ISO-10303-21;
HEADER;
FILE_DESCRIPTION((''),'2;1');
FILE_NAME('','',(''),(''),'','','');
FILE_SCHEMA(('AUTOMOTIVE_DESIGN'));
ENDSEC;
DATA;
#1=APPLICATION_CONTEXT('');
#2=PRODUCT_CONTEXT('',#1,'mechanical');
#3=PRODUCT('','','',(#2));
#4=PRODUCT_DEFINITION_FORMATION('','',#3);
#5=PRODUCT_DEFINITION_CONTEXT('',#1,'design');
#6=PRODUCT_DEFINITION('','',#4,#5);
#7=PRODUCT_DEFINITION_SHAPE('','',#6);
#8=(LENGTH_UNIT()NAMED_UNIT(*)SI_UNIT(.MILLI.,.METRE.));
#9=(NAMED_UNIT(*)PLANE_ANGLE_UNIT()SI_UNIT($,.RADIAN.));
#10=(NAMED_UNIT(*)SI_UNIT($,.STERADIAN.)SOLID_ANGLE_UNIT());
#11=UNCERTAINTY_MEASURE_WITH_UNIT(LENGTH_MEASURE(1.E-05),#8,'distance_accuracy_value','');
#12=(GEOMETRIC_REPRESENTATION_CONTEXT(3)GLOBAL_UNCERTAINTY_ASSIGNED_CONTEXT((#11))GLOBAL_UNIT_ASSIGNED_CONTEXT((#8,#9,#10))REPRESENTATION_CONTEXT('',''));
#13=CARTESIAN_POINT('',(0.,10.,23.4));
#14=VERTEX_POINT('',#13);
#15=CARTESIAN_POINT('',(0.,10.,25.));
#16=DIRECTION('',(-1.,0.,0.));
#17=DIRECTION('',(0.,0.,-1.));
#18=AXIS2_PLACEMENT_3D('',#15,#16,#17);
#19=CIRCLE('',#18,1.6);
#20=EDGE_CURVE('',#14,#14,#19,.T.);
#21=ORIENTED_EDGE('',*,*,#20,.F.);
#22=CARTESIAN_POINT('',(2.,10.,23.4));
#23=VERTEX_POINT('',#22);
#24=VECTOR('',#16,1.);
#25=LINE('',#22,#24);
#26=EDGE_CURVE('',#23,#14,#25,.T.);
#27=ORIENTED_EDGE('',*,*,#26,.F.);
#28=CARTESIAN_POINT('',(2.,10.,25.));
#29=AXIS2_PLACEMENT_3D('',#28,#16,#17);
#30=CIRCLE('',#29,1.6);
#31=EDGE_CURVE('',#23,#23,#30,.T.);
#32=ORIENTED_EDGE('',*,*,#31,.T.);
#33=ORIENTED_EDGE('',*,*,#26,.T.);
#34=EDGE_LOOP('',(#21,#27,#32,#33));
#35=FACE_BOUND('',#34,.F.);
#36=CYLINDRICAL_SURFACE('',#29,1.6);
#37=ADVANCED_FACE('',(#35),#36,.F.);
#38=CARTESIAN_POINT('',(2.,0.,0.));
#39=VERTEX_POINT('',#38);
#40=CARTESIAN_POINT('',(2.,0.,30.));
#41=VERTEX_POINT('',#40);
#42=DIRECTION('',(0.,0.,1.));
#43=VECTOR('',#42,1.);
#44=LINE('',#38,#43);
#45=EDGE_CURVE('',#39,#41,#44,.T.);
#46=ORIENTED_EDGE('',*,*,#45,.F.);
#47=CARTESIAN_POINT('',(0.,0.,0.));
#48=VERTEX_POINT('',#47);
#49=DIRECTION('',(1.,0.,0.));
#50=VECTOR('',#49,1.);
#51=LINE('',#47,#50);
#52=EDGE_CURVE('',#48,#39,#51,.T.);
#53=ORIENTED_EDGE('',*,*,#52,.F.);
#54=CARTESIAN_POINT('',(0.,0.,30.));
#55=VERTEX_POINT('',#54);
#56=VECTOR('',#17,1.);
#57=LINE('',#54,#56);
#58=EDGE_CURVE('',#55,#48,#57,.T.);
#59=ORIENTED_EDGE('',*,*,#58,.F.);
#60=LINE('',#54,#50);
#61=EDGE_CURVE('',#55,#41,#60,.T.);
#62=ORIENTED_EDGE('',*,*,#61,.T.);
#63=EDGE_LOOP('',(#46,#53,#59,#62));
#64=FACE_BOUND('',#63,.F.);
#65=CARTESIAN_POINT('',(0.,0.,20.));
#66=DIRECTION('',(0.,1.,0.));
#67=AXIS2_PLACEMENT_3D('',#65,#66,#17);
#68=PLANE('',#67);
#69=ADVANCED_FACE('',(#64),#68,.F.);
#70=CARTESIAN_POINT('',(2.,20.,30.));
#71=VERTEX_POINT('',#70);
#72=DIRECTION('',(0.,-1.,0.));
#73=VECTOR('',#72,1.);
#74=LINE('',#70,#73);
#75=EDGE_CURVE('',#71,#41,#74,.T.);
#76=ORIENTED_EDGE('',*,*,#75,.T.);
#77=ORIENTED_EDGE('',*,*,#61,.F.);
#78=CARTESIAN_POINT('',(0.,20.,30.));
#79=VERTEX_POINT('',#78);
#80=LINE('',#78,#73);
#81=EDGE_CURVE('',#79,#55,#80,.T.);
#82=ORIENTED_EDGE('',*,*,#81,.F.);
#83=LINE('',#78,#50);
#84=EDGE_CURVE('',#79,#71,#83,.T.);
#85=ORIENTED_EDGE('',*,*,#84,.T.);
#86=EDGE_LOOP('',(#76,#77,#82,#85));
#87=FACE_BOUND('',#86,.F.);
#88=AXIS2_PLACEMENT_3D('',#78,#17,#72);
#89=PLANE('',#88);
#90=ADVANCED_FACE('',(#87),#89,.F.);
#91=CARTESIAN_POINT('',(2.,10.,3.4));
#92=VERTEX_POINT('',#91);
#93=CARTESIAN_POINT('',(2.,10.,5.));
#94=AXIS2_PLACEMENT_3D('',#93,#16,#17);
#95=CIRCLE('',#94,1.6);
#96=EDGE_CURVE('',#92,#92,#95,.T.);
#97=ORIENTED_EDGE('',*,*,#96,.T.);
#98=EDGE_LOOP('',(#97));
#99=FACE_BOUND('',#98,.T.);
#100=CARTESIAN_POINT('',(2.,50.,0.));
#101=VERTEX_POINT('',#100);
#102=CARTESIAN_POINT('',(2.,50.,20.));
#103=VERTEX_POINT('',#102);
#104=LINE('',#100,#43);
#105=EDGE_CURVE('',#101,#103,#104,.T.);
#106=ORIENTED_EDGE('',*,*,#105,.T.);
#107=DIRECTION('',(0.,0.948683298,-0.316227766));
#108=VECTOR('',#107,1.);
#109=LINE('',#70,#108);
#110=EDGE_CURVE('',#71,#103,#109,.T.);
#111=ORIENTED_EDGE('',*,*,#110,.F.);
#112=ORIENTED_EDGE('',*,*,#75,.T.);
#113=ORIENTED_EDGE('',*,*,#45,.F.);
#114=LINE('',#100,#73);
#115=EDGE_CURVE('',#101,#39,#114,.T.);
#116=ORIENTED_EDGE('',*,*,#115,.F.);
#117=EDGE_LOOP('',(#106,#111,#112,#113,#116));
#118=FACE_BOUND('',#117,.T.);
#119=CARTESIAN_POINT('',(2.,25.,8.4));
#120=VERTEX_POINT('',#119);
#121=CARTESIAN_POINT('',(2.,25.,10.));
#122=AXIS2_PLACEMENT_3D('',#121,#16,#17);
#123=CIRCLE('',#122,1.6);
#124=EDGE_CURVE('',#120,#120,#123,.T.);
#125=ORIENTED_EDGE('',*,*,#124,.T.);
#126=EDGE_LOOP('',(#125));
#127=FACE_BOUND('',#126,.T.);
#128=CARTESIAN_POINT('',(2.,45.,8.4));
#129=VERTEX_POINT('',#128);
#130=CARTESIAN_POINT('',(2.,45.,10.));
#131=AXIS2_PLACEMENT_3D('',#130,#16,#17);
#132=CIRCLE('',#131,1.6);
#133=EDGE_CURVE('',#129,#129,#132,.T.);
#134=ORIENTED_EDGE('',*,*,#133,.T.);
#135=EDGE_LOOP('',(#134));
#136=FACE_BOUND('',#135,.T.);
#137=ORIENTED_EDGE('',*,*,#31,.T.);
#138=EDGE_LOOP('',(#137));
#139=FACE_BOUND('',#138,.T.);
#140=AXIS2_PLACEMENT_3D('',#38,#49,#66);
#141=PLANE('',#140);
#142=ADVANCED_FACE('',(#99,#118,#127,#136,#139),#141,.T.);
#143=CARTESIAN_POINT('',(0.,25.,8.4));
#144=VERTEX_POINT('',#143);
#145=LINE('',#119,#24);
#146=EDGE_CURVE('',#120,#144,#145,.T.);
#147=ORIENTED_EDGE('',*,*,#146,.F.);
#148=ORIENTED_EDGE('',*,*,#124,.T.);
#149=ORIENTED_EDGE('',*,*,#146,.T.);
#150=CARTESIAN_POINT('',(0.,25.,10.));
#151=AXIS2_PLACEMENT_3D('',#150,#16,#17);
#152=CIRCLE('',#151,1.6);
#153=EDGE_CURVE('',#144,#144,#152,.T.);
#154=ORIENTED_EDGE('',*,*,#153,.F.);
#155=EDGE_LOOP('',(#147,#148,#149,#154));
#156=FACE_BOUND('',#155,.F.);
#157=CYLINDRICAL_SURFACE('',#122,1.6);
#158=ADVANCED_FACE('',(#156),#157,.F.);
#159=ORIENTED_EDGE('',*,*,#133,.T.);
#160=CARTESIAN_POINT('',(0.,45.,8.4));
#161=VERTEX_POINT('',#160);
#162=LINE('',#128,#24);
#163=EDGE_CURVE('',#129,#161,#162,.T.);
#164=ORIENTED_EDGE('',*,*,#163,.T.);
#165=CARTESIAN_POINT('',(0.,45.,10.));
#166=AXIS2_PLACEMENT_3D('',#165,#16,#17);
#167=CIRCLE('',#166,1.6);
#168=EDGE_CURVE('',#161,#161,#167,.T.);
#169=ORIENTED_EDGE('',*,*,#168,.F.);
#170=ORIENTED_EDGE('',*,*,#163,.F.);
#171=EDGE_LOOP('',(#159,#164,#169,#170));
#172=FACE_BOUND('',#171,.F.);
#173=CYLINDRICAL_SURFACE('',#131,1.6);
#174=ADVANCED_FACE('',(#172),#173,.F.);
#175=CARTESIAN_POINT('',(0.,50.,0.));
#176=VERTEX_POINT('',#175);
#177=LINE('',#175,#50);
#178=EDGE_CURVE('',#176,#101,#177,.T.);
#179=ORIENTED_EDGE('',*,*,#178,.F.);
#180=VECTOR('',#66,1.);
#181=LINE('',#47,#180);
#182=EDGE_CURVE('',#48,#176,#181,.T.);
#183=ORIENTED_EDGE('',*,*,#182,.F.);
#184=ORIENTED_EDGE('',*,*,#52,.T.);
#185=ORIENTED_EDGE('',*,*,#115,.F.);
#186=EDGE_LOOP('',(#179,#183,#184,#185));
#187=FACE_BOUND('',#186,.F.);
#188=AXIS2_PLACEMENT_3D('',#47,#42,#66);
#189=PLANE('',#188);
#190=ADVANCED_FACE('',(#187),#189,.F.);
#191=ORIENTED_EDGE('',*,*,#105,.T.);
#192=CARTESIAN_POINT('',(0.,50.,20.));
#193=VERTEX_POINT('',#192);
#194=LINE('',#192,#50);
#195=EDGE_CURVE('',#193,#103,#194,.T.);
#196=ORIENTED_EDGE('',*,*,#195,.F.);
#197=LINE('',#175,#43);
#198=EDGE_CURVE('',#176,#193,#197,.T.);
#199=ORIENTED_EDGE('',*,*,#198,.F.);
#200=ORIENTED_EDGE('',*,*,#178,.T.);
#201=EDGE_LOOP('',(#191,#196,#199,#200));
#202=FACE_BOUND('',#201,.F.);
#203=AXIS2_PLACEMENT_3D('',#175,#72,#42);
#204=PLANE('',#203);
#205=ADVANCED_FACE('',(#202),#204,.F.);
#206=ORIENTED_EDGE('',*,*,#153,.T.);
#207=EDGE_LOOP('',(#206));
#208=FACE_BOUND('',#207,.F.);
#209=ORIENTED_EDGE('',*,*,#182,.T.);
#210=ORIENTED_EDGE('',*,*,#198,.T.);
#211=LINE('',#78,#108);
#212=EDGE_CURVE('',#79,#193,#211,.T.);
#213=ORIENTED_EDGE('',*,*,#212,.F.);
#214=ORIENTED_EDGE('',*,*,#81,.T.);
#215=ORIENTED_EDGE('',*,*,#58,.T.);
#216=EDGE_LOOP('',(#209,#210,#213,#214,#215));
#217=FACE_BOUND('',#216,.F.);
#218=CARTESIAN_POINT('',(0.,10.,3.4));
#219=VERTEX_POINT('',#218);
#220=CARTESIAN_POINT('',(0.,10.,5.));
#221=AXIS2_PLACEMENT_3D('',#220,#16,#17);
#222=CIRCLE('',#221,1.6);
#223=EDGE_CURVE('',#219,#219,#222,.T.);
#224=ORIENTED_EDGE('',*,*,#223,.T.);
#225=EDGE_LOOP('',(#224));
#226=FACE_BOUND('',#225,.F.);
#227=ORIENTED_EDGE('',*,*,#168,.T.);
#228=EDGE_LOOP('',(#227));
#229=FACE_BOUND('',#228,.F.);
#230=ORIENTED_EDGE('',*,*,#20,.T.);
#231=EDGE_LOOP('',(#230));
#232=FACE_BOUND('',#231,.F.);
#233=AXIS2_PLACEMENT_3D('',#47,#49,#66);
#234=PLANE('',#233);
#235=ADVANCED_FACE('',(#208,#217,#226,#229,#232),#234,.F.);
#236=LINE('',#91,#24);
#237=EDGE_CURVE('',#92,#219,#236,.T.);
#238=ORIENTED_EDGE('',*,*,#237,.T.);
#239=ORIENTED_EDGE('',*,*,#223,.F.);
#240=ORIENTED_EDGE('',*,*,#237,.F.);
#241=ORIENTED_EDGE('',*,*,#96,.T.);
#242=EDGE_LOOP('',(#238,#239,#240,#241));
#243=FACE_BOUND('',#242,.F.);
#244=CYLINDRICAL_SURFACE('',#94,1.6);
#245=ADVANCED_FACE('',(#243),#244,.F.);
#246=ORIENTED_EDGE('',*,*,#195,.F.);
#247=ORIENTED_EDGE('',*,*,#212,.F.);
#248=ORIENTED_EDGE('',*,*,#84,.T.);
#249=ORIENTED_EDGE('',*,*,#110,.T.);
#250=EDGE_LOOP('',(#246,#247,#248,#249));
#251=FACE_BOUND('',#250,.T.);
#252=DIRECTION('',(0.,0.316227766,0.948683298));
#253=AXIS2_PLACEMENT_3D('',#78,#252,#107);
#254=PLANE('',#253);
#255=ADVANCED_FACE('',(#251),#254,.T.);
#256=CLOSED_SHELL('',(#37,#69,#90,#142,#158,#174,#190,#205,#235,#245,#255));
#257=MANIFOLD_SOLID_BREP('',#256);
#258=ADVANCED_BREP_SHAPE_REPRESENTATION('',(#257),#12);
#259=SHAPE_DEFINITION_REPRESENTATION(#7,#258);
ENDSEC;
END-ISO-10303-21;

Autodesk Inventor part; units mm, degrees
ref_plane "YZ Plane" through (0, 0, 0) normal (1, 0, 0) x (0, 1, 0)
ref_plane "XZ Plane" through (0, 0, 0) normal (0, 1, 0) x (-1, 0, 0)
ref_plane "XY Plane" through (0, 0, 0) normal (0, 0, 1) x (1, 0, 0)
sketch "スケッチ1" plane through (0, 0, 0) normal (1, 0, 0) x (0, 1, 0)
  line L0 (0, 0) -> (50, 0)
  line L1 (50, 0) -> (50, 20)
  line L2 (50, 20) -> (0, 20) construction
  line L3 (0, 20) -> (0, 0)
  line L4 (0, 0) -> (20, 0)
  line L5 (20, 0) -> (20, 30) construction
  line L6 (20, 30) -> (0, 30)
  line L7 (0, 30) -> (0, 0)
  line L8 (20, 30) -> (50, 20)
  dimension "d0" = 20
  dimension "d1" = 20
  dimension "d2" = 30
  dimension "d3" = 30
extrude "押し出し1" add sketch "スケッチ1" along normal blind 2
sketch "スケッチ2" plane through (2, 0, 0) normal (1, 0, 0) x (0, 0, -1)
  line L0 (-30, 20) -> (-30, 0) projected
  line L1 (-30, 10) -> (0, 10) construction
  line L2 (0, 0) -> (0, 50) projected
  line L3 (0, 50) -> (-20, 50) projected
  line L4 (-10, 50) -> (-10, 0) construction
  line L5 (-30, 0) -> (0, 0) projected
  point P0 (-25, 10)
  point P1 (-5, 10)
  point P2 (-10, 25)
  point P3 (-10, 45)
  dimension "d6" = 20
  dimension "d7" = 5
  dimension "d8" = 20
  dimension "d9" = 5
hole "穴1" at (2, 10, 25) at (2, 10, 5) at (2, 25, 10) at (2, 45, 10) direction (-1, 0, 0) diameter 3.2 end through all
properties part number "FrameJoint2020" material "アルミニウム 6061"
